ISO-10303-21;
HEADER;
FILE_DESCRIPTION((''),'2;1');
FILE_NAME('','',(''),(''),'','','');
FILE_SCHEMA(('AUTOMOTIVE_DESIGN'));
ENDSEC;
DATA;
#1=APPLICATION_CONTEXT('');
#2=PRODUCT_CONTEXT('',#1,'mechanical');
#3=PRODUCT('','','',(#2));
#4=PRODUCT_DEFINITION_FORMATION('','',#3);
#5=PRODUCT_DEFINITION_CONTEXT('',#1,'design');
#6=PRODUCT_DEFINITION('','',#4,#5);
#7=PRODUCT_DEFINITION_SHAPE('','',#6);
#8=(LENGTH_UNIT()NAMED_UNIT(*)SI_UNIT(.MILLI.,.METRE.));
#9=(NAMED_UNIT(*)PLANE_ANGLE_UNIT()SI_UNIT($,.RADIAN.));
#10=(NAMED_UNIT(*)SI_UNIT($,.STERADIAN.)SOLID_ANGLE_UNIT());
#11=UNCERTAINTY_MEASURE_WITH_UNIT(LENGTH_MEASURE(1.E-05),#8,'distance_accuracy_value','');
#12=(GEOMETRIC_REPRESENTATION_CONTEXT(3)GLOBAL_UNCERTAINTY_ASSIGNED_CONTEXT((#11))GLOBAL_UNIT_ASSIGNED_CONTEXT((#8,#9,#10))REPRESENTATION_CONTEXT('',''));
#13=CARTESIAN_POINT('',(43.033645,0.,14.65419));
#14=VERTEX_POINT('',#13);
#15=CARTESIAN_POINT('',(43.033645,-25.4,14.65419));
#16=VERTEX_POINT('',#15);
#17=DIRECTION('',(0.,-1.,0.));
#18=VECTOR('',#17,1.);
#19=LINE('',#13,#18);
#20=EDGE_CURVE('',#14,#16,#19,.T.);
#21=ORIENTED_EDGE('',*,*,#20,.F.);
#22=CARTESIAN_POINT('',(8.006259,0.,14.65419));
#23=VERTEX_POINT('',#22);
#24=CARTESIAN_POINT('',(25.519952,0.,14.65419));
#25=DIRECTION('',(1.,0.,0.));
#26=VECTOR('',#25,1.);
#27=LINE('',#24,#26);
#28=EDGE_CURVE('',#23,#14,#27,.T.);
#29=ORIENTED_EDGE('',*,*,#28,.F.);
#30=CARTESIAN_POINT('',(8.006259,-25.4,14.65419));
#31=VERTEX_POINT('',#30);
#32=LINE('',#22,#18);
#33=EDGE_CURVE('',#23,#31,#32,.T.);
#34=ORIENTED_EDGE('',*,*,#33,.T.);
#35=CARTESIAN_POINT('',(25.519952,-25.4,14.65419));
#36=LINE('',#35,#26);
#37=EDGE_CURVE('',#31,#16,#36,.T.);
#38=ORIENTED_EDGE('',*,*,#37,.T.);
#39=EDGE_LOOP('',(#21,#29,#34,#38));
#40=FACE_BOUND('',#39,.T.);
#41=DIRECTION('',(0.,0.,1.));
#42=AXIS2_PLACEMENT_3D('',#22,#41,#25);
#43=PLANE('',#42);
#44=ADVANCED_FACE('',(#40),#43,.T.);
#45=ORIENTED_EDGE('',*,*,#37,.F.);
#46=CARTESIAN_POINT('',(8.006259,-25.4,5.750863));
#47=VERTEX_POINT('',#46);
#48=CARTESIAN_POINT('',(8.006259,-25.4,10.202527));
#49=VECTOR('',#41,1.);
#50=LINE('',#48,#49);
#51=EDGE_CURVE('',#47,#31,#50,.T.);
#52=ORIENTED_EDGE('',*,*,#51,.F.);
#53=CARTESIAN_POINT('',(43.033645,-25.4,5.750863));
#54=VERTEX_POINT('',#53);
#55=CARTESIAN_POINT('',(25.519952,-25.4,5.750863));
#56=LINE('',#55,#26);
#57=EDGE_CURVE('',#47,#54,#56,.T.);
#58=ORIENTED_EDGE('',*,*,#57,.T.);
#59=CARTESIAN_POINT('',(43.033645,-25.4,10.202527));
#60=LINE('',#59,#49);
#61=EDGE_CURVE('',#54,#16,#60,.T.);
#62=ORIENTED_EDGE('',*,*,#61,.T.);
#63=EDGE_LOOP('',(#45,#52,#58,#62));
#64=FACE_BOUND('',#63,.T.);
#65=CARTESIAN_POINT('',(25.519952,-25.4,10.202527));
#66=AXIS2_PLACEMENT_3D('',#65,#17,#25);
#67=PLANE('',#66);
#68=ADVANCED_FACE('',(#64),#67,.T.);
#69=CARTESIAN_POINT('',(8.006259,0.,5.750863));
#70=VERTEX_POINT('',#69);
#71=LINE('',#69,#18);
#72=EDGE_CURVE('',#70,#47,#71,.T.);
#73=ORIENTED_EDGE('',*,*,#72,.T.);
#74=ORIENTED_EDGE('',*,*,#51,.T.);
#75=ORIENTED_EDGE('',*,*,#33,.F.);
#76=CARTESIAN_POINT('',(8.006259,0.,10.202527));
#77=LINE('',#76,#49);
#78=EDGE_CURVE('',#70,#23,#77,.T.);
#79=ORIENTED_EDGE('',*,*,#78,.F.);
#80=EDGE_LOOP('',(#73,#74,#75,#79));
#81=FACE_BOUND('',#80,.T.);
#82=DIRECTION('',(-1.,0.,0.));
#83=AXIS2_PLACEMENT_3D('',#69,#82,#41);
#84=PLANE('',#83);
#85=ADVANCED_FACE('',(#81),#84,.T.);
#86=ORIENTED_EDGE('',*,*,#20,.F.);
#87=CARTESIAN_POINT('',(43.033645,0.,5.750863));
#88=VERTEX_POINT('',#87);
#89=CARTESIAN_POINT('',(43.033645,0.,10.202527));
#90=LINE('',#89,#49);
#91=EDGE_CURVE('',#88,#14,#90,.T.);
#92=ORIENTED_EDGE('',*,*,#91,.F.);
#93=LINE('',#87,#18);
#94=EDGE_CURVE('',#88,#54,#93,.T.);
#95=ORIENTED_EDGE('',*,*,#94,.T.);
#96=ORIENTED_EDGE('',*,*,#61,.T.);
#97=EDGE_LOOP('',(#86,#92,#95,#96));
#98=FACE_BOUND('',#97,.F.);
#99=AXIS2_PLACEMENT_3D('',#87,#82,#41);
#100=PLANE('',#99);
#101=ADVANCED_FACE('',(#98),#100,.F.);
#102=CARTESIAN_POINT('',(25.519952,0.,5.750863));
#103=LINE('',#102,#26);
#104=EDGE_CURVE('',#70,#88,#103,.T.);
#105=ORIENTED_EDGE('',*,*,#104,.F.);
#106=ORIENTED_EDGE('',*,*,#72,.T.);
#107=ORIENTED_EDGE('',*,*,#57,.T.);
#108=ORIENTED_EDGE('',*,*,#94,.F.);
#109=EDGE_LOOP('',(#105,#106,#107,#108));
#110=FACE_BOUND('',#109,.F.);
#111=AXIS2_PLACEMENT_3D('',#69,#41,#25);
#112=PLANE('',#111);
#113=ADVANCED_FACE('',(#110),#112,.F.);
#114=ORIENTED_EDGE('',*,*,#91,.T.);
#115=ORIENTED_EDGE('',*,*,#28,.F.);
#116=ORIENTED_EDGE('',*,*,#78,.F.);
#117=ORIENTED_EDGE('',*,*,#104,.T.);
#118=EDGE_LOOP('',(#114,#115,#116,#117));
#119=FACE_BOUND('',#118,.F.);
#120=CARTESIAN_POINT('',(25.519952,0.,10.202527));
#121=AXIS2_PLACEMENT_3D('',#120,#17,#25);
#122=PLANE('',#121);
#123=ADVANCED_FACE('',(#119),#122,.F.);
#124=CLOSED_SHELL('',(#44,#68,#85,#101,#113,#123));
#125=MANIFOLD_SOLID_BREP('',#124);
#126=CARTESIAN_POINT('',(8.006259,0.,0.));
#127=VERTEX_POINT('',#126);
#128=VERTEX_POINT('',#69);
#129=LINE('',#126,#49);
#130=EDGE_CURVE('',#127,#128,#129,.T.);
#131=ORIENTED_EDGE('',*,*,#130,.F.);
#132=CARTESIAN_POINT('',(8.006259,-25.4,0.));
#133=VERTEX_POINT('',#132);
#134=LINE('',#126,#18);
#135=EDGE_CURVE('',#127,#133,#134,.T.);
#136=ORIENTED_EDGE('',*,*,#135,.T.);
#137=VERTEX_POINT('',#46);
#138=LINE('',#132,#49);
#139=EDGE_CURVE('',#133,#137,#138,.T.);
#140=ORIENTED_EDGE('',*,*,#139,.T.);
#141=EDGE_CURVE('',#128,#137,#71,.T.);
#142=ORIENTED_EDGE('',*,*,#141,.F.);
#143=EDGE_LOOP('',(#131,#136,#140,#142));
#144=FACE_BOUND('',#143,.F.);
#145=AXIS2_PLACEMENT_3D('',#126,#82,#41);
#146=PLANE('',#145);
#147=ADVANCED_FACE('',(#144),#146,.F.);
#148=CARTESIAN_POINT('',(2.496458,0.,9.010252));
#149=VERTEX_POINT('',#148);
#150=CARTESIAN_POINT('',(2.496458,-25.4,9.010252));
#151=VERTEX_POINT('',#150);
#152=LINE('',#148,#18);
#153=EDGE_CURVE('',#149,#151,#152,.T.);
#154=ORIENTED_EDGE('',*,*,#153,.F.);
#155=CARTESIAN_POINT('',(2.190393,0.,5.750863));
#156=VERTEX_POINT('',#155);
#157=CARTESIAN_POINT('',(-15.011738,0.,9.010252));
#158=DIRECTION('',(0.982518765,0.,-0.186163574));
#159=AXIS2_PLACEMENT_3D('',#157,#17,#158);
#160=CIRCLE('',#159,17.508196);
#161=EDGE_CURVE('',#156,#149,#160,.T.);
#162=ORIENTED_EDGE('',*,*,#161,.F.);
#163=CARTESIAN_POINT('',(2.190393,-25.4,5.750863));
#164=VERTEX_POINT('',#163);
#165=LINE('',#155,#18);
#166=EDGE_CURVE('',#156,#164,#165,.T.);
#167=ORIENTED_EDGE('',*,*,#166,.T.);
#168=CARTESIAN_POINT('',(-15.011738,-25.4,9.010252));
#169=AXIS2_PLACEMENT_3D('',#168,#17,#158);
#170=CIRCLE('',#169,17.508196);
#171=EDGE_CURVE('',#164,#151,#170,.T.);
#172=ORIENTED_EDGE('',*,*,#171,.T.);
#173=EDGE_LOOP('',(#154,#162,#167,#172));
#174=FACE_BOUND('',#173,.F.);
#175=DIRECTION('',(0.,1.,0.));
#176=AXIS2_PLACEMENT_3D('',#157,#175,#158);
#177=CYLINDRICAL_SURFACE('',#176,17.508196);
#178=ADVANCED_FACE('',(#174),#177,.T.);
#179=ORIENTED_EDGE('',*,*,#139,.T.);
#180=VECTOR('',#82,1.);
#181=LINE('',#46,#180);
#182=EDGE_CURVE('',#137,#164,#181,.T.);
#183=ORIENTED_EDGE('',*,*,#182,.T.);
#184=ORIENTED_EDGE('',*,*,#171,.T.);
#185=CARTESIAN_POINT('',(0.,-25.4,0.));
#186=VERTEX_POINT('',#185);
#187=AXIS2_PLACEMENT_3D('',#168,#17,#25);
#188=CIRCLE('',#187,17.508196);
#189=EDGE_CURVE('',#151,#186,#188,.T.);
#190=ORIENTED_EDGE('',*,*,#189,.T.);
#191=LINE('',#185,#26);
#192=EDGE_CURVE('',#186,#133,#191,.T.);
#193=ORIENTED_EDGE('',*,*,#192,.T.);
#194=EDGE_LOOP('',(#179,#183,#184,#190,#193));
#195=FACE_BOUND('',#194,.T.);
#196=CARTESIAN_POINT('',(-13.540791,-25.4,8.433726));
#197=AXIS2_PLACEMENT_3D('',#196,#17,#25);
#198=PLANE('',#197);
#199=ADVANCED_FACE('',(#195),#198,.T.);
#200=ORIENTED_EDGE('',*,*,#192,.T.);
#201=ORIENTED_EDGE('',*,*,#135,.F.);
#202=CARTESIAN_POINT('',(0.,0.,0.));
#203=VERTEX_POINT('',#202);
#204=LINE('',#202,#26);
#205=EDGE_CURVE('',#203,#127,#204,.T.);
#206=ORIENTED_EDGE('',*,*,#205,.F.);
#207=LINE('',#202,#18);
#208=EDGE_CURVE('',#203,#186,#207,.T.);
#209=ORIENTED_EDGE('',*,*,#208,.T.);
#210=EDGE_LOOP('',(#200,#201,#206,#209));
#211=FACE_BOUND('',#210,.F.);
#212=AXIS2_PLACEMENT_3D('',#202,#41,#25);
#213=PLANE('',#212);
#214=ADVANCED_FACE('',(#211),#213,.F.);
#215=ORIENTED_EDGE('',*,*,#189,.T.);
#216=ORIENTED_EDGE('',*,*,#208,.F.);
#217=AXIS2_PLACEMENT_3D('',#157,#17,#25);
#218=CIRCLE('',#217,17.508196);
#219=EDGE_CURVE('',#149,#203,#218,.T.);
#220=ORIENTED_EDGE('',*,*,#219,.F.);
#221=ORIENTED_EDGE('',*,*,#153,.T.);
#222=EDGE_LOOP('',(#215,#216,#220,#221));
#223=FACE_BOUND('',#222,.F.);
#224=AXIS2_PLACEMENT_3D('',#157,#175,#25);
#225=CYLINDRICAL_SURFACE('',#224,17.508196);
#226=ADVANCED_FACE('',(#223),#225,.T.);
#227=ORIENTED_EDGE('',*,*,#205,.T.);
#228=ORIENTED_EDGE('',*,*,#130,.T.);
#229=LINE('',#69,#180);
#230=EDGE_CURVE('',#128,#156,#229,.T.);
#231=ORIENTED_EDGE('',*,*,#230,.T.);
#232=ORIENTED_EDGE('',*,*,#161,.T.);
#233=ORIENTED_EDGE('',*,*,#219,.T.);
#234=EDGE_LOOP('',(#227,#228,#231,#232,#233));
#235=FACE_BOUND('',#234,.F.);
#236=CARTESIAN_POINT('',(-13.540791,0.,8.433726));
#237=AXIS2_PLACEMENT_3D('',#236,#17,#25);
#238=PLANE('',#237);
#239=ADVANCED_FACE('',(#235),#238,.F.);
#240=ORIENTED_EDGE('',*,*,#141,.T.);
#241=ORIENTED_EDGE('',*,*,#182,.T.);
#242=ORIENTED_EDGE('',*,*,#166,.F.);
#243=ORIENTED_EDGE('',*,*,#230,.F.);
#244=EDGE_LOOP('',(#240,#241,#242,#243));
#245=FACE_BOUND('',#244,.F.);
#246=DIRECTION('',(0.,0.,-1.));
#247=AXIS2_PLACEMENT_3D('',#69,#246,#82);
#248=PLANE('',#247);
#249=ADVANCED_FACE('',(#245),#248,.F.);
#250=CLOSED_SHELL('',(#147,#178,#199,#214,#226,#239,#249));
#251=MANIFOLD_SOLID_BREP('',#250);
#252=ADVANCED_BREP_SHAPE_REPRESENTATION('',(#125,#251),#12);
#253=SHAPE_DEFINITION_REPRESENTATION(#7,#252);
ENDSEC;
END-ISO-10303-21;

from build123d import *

# Parameters (mm, degrees)
F1_DEPTH = 25.4
F0_W     = 35.0273856893
F0_H     = 8.9033269323


with BuildPart() as f1:
    # F0 (on Front) → F1 (new body)
    with BuildSketch(Plane.XZ):
        with BuildLine():
            ThreePointArc((2.1903926758, 5.7508633472), (2.4197734011, 7.3733881804), (2.4964575555, 9.0102516115))
            ThreePointArc((2.4964575555, 9.0102516115), (-31.8842802432, 13.685102797), (0, 0))
            Line((0, 0), (-3.0023471918, 0))
            Line((-3.0023471918, 0), (-3.0023471918, 5.7508633472))
            Line((-3.0023471918, 5.7508633472), (2.1903926758, 5.7508633472))
        make_face()
        with BuildLine():
            ThreePointArc((2.1903926758, 5.7508633472), (1.3498463074, 2.778440423), (0, 0))
            Line((0, 0), (8.0062588677, 0))
            Line((8.0062588677, 0), (8.0062588677, 5.7508633472))
            Line((8.0062588677, 5.7508633472), (2.1903926758, 5.7508633472))
        make_face()
        with BuildLine():
            Line((-3.0023471918, 0), (0, 0))
            ThreePointArc((0, 0), (1.3498463074, 2.778440423), (2.1903926758, 5.7508633472))
            Line((2.1903926758, 5.7508633472), (-3.0023471918, 5.7508633472))
            Line((-3.0023471918, 5.7508633472), (-3.0023471918, 0))
        make_face()
    extrude(amount=F1_DEPTH)


with BuildPart() as f1b:
    # F0 (on Front) → F1, piece 2 (new body)
    with BuildSketch(Plane.XZ):
        with Locations((25.5199517123, 10.2025268134)):
            Rectangle(F0_W, F0_H)
    extrude(amount=F1_DEPTH)


solid = Compound([f1.part, f1b.part])
